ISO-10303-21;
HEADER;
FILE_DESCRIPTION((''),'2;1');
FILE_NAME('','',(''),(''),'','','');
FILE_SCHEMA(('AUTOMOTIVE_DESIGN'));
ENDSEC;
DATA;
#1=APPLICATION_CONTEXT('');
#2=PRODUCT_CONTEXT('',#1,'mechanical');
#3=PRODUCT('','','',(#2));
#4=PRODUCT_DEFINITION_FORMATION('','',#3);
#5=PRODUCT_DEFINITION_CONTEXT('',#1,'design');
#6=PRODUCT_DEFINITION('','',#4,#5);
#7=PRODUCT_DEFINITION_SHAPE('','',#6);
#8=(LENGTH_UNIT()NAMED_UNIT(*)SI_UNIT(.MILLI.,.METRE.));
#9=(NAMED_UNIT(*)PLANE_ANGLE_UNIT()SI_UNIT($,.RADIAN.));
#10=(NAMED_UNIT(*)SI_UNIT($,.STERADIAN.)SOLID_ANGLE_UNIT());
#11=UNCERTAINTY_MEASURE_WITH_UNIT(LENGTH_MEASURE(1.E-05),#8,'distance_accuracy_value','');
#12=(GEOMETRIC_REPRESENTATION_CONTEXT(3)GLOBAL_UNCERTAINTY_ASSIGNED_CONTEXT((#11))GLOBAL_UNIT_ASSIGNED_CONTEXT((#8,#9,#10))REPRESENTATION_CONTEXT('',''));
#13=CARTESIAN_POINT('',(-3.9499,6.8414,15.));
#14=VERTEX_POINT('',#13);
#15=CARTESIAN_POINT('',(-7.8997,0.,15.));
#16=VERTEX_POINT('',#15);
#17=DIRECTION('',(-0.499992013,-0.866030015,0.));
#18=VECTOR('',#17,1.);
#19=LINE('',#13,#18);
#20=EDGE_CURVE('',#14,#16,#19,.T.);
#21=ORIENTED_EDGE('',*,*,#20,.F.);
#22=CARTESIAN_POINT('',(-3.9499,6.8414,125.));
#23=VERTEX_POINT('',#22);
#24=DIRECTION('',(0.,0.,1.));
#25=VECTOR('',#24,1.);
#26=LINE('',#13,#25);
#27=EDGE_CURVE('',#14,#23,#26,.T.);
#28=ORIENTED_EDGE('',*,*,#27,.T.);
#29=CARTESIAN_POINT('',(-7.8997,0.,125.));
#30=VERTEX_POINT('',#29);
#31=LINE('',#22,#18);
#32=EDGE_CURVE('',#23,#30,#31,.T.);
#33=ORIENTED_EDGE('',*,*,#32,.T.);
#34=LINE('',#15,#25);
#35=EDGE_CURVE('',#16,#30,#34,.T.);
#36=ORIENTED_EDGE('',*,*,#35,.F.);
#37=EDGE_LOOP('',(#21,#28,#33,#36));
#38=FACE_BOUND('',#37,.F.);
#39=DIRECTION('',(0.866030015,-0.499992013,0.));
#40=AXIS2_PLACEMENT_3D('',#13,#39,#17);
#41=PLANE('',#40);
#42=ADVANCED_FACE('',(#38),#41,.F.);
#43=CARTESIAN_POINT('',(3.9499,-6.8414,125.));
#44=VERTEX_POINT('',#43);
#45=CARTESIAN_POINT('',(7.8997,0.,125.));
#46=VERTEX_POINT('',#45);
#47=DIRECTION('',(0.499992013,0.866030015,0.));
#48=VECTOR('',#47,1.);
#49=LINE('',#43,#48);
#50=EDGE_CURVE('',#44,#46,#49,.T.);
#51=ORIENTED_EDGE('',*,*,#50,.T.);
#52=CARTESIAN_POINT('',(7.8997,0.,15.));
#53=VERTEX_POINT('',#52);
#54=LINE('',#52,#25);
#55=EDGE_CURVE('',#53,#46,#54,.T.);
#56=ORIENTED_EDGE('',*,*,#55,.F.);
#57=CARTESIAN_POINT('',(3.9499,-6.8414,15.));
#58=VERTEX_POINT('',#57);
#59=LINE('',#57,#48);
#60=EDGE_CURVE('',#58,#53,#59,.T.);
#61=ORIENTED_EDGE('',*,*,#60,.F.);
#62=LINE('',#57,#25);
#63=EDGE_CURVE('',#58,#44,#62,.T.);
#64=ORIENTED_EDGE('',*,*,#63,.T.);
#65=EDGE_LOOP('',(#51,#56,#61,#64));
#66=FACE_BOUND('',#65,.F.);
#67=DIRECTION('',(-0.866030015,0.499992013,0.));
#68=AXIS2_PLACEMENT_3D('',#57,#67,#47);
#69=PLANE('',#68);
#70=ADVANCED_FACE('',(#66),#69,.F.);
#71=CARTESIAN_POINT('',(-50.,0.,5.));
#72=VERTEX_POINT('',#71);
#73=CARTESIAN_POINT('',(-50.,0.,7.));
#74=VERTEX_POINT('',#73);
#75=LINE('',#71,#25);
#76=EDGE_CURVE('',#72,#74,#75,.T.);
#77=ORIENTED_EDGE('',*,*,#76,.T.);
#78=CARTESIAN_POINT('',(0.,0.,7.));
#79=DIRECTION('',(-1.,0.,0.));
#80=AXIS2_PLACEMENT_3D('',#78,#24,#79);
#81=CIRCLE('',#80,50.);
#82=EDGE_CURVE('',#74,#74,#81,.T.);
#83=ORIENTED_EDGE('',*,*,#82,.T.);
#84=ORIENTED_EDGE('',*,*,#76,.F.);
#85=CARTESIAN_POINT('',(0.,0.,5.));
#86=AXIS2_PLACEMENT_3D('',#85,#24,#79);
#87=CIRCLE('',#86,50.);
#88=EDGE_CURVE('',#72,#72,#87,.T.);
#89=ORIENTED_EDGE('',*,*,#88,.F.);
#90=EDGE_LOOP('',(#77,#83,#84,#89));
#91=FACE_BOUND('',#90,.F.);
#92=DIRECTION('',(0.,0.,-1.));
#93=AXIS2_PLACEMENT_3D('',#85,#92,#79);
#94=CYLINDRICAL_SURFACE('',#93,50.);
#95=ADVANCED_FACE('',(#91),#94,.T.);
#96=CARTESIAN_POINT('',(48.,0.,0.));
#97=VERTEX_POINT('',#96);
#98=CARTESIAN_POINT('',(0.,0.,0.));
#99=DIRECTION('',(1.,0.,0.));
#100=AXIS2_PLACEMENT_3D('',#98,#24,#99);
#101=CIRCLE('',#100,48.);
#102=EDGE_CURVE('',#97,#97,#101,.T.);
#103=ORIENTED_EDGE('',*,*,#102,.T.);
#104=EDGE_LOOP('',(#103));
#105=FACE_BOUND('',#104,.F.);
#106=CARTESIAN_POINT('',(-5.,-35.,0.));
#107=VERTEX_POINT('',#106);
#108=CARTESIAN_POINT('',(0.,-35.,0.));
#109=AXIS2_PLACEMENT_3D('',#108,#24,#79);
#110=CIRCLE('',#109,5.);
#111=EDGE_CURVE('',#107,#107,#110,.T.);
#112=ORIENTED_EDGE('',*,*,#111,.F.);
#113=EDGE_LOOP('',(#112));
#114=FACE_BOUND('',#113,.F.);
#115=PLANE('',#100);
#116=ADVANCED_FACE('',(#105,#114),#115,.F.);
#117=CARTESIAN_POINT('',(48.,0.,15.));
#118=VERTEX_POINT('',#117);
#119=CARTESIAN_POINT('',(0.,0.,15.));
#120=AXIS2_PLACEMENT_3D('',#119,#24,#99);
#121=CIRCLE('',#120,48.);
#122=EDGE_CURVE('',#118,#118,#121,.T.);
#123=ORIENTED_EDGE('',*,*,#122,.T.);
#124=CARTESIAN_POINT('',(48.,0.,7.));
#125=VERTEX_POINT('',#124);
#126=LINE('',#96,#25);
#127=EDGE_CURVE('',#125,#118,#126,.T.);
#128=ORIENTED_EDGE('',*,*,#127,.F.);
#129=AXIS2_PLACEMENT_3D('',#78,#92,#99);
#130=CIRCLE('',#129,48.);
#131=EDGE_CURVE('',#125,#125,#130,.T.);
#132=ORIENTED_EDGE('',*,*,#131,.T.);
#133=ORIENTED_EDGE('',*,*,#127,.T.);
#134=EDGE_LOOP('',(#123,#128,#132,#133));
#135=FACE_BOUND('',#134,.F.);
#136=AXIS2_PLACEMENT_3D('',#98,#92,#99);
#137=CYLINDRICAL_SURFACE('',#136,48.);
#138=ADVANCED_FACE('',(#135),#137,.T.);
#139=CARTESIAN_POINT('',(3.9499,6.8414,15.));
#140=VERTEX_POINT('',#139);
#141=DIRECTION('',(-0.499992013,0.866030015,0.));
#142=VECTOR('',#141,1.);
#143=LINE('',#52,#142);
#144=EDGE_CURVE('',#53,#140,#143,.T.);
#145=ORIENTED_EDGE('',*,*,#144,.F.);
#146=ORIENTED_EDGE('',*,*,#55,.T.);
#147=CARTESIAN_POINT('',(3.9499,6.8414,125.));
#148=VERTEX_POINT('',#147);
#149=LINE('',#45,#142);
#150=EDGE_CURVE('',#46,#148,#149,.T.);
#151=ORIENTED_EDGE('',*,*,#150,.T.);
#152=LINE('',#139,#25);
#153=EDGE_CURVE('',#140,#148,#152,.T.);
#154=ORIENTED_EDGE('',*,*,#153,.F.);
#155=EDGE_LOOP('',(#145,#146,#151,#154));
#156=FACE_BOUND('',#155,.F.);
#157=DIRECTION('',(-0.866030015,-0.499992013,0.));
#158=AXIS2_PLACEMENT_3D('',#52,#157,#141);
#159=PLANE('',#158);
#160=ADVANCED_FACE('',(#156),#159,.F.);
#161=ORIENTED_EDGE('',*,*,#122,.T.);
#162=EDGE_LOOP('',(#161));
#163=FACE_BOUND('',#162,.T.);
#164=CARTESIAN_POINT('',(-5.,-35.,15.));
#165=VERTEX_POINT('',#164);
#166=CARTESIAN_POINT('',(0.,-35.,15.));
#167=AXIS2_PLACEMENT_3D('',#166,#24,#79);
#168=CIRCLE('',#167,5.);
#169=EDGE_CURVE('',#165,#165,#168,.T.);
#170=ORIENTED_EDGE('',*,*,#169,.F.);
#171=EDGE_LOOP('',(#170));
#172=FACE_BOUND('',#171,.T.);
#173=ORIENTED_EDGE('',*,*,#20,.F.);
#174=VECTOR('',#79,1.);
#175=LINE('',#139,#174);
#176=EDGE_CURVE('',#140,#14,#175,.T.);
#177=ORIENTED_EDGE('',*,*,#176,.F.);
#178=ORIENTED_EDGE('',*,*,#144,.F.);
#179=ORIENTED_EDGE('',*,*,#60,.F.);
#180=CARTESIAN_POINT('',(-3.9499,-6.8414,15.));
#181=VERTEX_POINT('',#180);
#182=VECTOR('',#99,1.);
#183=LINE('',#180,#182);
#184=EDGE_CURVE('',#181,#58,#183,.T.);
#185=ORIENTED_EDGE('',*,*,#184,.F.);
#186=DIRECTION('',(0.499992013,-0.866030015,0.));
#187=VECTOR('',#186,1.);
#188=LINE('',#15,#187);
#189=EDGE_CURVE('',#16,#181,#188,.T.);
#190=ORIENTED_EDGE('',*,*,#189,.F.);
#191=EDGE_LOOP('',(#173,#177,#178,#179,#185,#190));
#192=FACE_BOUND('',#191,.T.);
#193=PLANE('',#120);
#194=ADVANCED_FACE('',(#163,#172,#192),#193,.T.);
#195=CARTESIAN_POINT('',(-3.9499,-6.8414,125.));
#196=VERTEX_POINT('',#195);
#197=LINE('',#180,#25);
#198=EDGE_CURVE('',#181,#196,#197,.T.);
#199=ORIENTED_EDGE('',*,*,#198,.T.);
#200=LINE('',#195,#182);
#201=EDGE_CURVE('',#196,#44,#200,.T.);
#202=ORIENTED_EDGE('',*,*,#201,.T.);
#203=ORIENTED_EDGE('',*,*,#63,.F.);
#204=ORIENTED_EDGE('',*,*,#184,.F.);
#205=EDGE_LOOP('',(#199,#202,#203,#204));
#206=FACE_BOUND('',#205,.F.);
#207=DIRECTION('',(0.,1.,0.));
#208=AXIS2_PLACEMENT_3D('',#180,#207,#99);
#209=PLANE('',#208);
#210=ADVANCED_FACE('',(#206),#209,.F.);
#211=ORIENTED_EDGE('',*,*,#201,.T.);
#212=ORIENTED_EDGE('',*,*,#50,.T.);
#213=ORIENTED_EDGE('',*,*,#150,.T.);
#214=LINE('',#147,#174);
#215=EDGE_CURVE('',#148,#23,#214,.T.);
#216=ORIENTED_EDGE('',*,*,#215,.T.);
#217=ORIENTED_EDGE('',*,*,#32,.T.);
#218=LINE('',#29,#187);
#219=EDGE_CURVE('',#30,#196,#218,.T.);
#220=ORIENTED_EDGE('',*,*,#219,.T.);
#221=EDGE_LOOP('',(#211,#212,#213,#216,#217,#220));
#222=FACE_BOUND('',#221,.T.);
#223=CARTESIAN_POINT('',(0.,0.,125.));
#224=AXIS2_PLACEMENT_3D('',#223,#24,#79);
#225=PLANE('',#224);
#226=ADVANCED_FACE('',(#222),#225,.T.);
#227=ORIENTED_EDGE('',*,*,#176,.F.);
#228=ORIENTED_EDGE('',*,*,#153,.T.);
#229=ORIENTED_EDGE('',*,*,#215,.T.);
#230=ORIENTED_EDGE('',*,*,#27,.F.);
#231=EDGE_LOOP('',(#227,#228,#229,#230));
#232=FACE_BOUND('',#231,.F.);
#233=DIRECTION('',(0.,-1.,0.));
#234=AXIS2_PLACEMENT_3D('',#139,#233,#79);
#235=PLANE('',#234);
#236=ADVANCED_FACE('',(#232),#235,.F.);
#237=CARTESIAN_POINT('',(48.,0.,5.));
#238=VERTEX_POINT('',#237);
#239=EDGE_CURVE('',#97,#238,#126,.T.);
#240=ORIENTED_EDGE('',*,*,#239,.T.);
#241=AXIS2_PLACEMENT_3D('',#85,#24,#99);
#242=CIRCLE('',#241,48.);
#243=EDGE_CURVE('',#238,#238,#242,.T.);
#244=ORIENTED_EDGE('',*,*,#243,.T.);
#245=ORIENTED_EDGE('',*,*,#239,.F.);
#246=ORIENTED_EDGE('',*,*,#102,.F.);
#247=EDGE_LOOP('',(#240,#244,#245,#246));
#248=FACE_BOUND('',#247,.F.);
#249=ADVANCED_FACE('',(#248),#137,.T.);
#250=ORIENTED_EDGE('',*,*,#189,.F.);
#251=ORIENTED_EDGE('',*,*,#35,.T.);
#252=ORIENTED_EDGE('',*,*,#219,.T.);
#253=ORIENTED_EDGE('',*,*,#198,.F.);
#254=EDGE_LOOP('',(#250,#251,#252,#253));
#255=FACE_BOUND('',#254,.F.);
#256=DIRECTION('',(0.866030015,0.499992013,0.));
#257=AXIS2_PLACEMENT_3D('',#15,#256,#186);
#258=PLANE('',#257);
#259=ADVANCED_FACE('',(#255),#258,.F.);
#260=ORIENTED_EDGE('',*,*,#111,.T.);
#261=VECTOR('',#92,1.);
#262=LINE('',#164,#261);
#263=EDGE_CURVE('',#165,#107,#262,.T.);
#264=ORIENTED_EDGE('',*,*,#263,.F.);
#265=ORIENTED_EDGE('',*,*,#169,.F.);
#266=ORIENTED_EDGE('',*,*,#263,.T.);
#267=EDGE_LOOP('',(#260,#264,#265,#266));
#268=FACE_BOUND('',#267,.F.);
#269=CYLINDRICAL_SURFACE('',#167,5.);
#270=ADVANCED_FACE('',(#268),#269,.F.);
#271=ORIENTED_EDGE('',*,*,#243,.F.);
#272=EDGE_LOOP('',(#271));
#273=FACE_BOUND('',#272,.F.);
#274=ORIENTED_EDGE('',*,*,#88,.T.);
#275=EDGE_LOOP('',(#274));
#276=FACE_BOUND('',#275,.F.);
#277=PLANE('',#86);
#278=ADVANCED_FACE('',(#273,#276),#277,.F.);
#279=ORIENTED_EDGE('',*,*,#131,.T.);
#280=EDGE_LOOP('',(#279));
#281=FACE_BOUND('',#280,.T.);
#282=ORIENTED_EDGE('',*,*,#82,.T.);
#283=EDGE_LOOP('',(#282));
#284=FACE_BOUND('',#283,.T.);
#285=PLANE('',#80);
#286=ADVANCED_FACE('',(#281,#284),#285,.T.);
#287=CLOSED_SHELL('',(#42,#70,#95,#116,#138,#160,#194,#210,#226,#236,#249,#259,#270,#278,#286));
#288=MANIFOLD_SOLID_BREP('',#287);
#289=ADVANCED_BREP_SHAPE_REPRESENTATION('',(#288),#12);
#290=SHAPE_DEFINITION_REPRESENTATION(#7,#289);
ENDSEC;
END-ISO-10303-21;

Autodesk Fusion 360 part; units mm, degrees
sketch "Sketch1" plane through (0, 0, 0) normal (0, 0, 1) x (1, 0, 0)
  circle A0 centre (0, 0) radius 48
  dimension "d1" = 96
extrude "Extrude1" add sketch "Sketch1" along normal blind 5
sketch "Sketch2" plane through (0, 0, 5) normal (0, 0, 1) x (-1, 0, 0)
  circle A0 centre (0, 0) radius 48
  circle A1 centre (0, 0) radius 50
extrude "Extrude2" add sketch "Sketch2" along normal blind 2 contours A0 | A1
extrude "Extrude3" add sketch "Sketch1" along normal blind 15
sketch "Sketch3" plane through (0, 0, 15) normal (0, 0, 1) x (-1, 0, 0)
  circle A0 centre (0, 0) radius 48
  line L0 (3.9499, -6.8414) -> (7.8997, 0)
  line L1 (7.8997, 0) -> (3.9499, 6.8414)
  line L2 (3.9499, 6.8414) -> (-3.9499, 6.8414)
  line L3 (-3.9499, 6.8414) -> (-7.8997, 0)
  line L4 (-7.8997, 0) -> (-3.9499, -6.8414)
  line L5 (-3.9499, -6.8414) -> (3.9499, -6.8414)
extrude "Extrude4" add sketch "Sketch3" along normal blind 110 contours L0 L1 L2 L3 L4 L5
sketch "Sketch4" plane through (0, 0, 15) normal (0, 0, 1) x (-1, 0, 0)
  line L0 (-3.9499, -6.8414) -> (-7.8997, 0)
  line L1 (-7.8997, 0) -> (-3.9499, 6.8414)
  line L2 (-3.9499, 6.8414) -> (3.9499, 6.8414)
  line L3 (3.9499, 6.8414) -> (7.8997, 0)
  line L4 (7.8997, 0) -> (3.9499, -6.8414)
  line L5 (3.9499, -6.8414) -> (-3.9499, -6.8414)
  circle A0 centre (0, 0) radius 48
  circle A1 centre (0, 35) radius 5
extrude "Extrude5" cut sketch "Sketch4" against normal blind 15 contours A1
